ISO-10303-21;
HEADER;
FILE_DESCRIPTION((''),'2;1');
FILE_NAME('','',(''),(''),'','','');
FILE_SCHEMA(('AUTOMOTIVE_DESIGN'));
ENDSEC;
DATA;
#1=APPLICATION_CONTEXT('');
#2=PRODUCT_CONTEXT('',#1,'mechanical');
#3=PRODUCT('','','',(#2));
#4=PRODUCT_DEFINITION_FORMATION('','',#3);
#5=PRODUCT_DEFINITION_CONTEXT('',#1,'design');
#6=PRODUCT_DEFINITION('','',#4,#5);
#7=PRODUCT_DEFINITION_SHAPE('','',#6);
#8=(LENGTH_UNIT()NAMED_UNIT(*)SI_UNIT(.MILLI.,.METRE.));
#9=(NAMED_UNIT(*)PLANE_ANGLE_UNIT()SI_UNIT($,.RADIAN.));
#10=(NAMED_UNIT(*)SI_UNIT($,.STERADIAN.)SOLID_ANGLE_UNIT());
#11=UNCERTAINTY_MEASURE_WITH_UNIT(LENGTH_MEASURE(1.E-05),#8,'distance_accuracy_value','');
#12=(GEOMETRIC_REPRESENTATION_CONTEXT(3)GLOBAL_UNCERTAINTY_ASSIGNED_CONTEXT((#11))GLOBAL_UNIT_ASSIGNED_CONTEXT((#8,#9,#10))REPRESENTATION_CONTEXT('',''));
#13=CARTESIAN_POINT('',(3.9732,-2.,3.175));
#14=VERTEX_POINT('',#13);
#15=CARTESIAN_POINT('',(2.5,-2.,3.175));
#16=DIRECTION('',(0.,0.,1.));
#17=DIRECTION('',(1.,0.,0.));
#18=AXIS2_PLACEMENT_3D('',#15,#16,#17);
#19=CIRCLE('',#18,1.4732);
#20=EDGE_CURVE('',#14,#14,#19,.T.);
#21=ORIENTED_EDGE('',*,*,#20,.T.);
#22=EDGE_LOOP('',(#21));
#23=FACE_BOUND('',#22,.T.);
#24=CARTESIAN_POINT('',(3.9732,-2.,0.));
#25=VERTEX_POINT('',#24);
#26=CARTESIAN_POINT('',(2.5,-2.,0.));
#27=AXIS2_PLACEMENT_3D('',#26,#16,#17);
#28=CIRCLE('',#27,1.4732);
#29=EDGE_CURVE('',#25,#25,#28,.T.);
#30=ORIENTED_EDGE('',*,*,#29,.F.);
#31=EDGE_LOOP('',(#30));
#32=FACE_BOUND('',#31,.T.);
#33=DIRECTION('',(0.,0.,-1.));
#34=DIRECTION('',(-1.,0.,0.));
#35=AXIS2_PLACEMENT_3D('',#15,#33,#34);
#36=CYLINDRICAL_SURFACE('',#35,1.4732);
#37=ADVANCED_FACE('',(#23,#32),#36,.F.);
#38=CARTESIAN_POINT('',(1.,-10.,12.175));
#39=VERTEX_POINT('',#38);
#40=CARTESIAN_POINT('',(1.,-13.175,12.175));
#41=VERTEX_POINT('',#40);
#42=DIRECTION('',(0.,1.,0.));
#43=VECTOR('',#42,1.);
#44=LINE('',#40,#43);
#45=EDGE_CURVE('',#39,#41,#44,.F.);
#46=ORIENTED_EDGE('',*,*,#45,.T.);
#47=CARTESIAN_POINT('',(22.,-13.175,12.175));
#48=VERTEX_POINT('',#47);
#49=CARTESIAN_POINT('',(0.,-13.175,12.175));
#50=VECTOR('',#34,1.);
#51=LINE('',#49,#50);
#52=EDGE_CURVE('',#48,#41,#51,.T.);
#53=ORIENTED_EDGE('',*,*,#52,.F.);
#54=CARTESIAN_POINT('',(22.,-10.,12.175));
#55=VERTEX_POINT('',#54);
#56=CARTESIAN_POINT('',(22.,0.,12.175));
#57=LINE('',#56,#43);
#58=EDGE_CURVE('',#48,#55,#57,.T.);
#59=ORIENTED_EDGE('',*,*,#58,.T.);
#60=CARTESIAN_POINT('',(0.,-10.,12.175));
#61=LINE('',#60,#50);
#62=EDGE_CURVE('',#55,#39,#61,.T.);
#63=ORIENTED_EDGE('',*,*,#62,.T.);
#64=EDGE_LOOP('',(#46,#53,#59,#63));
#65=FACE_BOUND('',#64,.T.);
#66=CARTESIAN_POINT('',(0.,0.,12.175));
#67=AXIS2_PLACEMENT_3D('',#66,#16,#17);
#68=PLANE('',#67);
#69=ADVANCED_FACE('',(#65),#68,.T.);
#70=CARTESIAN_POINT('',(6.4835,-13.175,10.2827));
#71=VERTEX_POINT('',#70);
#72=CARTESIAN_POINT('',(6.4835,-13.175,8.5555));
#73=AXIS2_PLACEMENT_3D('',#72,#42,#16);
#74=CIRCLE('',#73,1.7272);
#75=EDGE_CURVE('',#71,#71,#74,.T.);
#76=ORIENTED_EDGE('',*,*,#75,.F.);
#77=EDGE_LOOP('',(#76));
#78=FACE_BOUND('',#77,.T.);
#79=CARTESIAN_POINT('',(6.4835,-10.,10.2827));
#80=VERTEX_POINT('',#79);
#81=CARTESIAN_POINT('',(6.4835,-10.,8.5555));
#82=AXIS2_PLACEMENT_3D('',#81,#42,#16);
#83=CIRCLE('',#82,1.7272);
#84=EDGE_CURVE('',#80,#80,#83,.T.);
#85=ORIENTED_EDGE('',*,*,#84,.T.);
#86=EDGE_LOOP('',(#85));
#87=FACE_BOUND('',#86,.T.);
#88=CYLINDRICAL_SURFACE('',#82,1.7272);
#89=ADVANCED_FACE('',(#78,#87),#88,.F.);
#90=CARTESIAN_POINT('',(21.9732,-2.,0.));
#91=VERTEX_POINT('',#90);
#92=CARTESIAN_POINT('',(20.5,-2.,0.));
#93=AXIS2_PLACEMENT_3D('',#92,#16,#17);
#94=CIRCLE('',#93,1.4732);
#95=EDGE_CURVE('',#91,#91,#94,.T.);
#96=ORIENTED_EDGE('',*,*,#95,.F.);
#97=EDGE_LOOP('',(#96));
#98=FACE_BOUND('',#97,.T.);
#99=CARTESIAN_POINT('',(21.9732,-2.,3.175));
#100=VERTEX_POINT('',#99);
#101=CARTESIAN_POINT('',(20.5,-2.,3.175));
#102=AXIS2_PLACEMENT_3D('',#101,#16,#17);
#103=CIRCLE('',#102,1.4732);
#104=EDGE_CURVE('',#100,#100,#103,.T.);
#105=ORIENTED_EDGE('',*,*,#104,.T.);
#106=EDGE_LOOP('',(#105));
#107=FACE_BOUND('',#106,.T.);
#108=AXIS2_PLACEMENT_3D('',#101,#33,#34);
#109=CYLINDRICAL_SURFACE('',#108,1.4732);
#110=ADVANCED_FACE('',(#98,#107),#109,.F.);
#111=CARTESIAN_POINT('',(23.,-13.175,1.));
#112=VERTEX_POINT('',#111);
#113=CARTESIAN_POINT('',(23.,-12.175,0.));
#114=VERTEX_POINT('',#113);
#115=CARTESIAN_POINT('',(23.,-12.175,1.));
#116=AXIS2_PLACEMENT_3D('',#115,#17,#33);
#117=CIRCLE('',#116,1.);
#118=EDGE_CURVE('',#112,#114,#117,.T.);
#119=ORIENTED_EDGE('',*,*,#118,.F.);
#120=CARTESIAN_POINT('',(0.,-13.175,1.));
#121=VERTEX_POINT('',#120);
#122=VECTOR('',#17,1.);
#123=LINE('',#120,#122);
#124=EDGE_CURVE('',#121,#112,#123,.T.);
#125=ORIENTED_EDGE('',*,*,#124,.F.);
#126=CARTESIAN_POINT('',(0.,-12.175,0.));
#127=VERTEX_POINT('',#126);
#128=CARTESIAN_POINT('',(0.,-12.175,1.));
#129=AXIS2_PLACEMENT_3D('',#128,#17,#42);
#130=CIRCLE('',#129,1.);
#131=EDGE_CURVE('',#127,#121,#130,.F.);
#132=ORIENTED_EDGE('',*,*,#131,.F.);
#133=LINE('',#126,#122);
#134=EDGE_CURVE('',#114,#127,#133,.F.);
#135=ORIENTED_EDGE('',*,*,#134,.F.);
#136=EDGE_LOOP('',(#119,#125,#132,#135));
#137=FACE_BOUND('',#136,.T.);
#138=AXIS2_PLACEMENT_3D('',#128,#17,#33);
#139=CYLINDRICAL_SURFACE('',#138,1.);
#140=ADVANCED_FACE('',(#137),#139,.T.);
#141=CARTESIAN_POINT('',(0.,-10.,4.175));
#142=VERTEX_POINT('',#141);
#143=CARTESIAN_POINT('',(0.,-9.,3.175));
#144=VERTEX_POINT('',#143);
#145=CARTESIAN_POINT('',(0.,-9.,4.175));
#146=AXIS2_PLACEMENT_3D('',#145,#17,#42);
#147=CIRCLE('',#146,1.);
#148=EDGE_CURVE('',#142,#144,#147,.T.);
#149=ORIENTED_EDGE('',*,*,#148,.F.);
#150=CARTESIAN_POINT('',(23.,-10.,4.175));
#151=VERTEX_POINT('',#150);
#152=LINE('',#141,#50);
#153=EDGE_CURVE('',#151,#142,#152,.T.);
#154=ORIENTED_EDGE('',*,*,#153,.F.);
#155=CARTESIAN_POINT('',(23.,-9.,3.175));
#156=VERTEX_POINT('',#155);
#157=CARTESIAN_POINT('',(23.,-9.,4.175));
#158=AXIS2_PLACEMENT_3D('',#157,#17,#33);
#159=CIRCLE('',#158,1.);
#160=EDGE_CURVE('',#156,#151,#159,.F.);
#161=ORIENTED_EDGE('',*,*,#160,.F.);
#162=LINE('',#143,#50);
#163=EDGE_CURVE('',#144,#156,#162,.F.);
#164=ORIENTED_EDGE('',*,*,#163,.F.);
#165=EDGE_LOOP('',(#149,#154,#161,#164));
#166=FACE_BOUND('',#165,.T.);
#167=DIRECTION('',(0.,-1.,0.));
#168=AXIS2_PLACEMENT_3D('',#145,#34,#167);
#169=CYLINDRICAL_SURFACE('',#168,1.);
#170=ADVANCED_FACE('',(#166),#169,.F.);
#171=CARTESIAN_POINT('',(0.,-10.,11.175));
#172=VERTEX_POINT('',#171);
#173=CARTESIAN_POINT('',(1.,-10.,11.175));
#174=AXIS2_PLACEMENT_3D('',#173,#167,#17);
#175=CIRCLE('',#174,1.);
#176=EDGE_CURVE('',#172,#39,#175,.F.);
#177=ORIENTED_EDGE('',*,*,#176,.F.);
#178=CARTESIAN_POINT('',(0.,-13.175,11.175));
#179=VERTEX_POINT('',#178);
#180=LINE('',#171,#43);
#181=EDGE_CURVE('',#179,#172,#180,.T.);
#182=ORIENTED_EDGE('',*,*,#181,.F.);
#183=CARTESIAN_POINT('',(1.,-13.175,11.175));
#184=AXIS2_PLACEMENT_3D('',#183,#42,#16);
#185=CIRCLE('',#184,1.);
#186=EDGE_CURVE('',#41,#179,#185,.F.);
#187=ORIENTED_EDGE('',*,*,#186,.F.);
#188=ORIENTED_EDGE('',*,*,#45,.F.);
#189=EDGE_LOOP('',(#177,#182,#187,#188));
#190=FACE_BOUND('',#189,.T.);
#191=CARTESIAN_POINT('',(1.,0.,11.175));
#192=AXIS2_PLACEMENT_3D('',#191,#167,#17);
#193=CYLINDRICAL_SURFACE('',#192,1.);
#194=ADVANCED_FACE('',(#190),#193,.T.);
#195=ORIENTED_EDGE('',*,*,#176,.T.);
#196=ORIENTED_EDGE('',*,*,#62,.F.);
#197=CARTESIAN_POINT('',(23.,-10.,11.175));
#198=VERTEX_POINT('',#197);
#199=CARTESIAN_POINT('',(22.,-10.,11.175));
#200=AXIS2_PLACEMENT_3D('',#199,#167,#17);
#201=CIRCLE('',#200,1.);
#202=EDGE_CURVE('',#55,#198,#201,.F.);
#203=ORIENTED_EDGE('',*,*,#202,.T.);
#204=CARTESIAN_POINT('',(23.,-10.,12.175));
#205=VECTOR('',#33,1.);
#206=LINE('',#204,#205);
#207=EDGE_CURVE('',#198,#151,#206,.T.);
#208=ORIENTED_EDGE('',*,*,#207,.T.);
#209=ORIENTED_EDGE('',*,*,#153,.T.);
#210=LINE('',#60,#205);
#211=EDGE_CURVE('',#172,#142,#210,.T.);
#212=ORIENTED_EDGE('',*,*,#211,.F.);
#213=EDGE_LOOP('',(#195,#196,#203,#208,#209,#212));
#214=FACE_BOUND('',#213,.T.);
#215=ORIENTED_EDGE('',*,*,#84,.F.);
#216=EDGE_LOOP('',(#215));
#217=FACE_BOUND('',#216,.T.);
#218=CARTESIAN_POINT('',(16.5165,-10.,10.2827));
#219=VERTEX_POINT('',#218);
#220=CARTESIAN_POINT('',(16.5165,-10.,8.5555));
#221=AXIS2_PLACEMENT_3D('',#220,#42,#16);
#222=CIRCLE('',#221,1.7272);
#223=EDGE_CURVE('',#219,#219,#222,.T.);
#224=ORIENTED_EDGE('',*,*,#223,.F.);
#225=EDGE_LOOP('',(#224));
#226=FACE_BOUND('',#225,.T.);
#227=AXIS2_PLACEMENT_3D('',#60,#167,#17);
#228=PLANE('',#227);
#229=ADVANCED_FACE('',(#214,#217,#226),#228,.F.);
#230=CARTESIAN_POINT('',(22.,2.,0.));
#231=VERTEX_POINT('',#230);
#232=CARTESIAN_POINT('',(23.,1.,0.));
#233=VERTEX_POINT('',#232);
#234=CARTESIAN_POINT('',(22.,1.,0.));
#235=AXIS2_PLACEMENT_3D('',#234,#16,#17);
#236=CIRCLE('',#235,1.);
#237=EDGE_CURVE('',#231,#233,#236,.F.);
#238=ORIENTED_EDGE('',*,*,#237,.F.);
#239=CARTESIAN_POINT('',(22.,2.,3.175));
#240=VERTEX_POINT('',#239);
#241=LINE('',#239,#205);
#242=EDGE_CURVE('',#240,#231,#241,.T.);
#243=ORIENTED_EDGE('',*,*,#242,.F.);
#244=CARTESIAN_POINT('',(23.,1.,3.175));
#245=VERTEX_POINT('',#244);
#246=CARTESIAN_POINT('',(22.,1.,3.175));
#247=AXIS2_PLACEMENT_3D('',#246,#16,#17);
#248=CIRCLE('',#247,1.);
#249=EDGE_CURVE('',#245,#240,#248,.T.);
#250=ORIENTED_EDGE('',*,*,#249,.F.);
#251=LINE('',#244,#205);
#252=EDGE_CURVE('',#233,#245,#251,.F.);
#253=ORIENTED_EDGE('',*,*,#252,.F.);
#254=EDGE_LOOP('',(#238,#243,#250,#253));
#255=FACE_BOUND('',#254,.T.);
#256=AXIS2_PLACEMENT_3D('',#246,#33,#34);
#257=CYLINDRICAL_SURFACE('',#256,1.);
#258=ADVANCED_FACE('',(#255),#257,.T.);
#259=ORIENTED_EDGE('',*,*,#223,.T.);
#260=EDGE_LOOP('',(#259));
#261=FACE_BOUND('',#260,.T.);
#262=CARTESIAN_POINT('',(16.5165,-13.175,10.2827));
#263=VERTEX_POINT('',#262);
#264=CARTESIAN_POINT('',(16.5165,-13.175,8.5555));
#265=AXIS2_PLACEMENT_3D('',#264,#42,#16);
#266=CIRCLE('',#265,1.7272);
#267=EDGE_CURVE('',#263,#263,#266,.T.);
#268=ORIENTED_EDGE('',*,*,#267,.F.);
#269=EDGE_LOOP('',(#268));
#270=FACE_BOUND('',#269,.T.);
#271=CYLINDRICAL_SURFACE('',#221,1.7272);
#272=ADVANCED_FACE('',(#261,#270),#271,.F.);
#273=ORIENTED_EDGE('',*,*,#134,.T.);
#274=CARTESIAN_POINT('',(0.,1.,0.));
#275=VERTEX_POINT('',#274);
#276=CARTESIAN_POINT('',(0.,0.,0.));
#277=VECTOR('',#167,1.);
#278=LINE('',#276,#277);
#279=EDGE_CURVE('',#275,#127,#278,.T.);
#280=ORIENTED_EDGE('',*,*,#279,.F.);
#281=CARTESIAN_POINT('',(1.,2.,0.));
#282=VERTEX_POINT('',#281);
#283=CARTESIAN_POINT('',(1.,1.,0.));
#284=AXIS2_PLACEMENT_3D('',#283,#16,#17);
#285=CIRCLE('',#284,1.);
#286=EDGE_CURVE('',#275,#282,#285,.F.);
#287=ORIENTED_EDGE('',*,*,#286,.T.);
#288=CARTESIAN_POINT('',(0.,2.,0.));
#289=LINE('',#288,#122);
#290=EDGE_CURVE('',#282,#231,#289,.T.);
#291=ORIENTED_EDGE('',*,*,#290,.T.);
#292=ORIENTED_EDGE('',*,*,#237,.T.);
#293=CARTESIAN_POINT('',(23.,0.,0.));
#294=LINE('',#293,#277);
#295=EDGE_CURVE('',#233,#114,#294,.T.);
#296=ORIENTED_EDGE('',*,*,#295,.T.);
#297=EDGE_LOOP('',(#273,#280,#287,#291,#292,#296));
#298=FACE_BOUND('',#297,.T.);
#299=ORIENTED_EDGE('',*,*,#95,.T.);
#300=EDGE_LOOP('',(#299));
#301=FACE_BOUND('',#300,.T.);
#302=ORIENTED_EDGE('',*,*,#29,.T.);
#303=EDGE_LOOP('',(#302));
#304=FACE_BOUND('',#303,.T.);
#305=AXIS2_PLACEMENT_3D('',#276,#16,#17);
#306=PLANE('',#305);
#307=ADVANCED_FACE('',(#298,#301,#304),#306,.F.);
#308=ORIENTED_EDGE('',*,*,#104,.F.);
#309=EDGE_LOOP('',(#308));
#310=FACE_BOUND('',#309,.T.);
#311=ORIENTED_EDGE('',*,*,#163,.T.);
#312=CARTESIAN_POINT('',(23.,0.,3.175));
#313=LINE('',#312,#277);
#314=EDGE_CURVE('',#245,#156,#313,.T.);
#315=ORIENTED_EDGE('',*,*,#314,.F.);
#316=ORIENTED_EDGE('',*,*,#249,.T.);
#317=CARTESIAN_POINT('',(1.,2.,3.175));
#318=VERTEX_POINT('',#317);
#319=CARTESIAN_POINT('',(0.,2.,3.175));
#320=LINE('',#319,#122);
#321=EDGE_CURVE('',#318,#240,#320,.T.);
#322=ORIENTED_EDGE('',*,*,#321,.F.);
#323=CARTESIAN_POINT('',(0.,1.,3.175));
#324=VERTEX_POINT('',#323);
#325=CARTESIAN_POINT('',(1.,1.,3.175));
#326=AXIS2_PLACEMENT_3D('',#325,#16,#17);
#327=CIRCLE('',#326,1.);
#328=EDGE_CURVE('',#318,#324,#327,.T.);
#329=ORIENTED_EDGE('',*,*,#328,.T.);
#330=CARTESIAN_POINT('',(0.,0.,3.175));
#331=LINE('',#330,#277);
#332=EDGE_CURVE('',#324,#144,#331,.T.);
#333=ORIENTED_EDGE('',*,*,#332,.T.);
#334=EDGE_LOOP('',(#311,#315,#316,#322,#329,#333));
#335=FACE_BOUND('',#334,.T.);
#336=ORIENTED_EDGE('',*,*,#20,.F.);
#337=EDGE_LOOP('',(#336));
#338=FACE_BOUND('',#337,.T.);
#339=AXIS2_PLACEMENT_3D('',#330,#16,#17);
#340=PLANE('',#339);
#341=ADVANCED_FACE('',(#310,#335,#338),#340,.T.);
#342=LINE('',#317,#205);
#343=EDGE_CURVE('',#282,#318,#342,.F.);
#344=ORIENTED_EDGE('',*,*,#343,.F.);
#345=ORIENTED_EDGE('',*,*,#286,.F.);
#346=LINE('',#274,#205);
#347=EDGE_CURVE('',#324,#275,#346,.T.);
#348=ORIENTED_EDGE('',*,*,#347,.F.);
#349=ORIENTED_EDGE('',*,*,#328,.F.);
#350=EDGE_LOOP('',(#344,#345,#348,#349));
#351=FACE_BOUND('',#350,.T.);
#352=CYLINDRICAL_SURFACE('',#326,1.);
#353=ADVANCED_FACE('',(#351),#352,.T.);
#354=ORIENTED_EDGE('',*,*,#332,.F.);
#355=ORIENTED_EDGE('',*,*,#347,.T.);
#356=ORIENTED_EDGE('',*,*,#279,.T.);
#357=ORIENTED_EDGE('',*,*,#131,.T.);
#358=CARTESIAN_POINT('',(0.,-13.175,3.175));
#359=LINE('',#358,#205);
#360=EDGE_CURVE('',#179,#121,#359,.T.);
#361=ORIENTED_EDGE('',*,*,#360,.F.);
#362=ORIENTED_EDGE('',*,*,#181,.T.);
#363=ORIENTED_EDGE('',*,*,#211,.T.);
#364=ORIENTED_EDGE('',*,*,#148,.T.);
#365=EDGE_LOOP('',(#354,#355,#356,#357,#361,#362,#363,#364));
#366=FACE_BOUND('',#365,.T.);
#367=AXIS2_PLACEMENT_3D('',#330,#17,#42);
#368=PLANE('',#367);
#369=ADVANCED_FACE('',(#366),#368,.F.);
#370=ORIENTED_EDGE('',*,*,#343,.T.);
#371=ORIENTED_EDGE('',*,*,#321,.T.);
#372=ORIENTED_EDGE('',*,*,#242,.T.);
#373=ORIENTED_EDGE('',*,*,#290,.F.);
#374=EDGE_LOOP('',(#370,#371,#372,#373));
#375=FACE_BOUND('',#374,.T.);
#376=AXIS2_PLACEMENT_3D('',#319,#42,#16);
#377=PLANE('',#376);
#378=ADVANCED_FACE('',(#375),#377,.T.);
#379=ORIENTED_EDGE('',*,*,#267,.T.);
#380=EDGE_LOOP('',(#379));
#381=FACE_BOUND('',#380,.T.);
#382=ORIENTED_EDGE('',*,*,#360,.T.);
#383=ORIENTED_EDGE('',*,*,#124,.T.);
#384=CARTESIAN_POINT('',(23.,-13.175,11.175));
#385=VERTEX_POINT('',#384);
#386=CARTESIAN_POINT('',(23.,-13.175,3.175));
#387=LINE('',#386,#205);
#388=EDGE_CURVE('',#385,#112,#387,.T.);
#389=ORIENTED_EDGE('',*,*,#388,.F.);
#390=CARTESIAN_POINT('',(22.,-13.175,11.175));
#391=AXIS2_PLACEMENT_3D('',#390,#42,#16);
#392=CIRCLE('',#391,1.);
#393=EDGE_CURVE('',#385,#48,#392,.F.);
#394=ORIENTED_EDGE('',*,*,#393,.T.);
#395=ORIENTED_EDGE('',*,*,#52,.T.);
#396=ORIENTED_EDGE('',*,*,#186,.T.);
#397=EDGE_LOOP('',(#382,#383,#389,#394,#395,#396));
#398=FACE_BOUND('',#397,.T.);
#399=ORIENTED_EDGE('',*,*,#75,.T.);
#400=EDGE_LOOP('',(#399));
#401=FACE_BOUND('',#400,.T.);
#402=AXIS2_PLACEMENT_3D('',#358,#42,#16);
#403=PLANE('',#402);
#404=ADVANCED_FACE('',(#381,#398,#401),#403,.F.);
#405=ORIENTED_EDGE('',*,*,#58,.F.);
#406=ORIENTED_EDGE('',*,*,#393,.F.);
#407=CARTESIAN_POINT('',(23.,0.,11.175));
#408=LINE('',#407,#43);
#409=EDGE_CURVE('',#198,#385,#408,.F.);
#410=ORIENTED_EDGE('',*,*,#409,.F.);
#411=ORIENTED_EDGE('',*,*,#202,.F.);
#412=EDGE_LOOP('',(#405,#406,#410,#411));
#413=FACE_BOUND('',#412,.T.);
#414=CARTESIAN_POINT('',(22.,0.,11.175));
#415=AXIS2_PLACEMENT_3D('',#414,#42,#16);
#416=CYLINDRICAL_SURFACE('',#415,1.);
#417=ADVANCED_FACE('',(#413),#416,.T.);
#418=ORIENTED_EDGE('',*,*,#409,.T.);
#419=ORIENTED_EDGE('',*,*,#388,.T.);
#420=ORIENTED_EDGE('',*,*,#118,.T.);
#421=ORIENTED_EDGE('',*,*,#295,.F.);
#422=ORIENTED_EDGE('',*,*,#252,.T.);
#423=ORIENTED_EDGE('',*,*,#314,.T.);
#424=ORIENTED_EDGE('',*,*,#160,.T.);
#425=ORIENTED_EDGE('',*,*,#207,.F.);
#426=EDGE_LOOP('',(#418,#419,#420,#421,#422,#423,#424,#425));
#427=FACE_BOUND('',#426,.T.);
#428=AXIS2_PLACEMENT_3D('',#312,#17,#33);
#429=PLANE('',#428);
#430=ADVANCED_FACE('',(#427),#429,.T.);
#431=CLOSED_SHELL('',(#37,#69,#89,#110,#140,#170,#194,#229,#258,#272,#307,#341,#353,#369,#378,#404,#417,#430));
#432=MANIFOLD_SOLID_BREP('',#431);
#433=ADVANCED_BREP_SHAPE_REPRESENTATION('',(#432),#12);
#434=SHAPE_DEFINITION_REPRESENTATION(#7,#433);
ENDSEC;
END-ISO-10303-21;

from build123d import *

# Parameters (mm, degrees)
SKETCH1_W             = 23
SKETCH1_H             = 10
SKETCH1_R             = 1.4732
SKETCH1_H_2           = 3.175
SKETCH1_H_3           = 2
BOSS_EXTRUDE1_DEPTH   = 3.175
BOSS_EXTRUDE2_START   = 3.175
SKETCH1_3_W           = 23
SKETCH1_3_H           = 3.175
BOSS_EXTRUDE2_DEPTH   = 9
F_8_32_TAPPED_HOLE1_D = 3.4544
FILLET1_R             = 1


with BuildPart() as part:
    # Sketch1 → Boss-Extrude1 (new body)
    # profile 1 of 3: a face of its own
    with BuildSketch(Plane.XY):
        with Locations((11.5, -5)):
            Rectangle(SKETCH1_W, SKETCH1_H)
        with Locations((2.5, -2)):
            Circle(SKETCH1_R, mode=Mode.SUBTRACT)
        with Locations((20.5, -2)):
            Circle(SKETCH1_R, mode=Mode.SUBTRACT)
    # profile 2 of 3: a face of its own
    with BuildSketch(Plane.XY):
        with Locations((11.5, -11.5875)):
            Rectangle(SKETCH1_W, SKETCH1_H_2)
    # profile 3 of 3: a face of its own
    with BuildSketch(Plane.XY):
        with Locations((11.5, 1)):
            Rectangle(SKETCH1_W, SKETCH1_H_3)
    extrude(amount=BOSS_EXTRUDE1_DEPTH)

    # Sketch1<3> → Boss-Extrude2 (add)
    with BuildSketch(Plane.XY.offset(BOSS_EXTRUDE2_START)):
        with Locations((11.5, -11.5875)):
            Rectangle(SKETCH1_3_W, SKETCH1_3_H)
    extrude(amount=BOSS_EXTRUDE2_DEPTH)

    # #8-32 Tapped Hole1 (through all)
    with Locations(Plane(origin=(6.4835, -10, 8.5555), x_dir=(1, 0, 0), z_dir=(0, 1, 0))):
        with Locations((0, 0), (10.033, 0)):
            Hole(F_8_32_TAPPED_HOLE1_D / 2)

    # Fillet1
    fillet1_edges = [part.edges().sort_by_distance(p)[0] for p in [
        (0, 2, 1.5875),
        (23, 2, 1.5875),
        (0, -11.5875, 12.175),
        (11.5, -10, 3.175),
        (23, -11.5875, 12.175),
        (11.5, -13.175, 0),
    ]]
    fillet(fillet1_edges, radius=FILLET1_R)


solid = part.part
